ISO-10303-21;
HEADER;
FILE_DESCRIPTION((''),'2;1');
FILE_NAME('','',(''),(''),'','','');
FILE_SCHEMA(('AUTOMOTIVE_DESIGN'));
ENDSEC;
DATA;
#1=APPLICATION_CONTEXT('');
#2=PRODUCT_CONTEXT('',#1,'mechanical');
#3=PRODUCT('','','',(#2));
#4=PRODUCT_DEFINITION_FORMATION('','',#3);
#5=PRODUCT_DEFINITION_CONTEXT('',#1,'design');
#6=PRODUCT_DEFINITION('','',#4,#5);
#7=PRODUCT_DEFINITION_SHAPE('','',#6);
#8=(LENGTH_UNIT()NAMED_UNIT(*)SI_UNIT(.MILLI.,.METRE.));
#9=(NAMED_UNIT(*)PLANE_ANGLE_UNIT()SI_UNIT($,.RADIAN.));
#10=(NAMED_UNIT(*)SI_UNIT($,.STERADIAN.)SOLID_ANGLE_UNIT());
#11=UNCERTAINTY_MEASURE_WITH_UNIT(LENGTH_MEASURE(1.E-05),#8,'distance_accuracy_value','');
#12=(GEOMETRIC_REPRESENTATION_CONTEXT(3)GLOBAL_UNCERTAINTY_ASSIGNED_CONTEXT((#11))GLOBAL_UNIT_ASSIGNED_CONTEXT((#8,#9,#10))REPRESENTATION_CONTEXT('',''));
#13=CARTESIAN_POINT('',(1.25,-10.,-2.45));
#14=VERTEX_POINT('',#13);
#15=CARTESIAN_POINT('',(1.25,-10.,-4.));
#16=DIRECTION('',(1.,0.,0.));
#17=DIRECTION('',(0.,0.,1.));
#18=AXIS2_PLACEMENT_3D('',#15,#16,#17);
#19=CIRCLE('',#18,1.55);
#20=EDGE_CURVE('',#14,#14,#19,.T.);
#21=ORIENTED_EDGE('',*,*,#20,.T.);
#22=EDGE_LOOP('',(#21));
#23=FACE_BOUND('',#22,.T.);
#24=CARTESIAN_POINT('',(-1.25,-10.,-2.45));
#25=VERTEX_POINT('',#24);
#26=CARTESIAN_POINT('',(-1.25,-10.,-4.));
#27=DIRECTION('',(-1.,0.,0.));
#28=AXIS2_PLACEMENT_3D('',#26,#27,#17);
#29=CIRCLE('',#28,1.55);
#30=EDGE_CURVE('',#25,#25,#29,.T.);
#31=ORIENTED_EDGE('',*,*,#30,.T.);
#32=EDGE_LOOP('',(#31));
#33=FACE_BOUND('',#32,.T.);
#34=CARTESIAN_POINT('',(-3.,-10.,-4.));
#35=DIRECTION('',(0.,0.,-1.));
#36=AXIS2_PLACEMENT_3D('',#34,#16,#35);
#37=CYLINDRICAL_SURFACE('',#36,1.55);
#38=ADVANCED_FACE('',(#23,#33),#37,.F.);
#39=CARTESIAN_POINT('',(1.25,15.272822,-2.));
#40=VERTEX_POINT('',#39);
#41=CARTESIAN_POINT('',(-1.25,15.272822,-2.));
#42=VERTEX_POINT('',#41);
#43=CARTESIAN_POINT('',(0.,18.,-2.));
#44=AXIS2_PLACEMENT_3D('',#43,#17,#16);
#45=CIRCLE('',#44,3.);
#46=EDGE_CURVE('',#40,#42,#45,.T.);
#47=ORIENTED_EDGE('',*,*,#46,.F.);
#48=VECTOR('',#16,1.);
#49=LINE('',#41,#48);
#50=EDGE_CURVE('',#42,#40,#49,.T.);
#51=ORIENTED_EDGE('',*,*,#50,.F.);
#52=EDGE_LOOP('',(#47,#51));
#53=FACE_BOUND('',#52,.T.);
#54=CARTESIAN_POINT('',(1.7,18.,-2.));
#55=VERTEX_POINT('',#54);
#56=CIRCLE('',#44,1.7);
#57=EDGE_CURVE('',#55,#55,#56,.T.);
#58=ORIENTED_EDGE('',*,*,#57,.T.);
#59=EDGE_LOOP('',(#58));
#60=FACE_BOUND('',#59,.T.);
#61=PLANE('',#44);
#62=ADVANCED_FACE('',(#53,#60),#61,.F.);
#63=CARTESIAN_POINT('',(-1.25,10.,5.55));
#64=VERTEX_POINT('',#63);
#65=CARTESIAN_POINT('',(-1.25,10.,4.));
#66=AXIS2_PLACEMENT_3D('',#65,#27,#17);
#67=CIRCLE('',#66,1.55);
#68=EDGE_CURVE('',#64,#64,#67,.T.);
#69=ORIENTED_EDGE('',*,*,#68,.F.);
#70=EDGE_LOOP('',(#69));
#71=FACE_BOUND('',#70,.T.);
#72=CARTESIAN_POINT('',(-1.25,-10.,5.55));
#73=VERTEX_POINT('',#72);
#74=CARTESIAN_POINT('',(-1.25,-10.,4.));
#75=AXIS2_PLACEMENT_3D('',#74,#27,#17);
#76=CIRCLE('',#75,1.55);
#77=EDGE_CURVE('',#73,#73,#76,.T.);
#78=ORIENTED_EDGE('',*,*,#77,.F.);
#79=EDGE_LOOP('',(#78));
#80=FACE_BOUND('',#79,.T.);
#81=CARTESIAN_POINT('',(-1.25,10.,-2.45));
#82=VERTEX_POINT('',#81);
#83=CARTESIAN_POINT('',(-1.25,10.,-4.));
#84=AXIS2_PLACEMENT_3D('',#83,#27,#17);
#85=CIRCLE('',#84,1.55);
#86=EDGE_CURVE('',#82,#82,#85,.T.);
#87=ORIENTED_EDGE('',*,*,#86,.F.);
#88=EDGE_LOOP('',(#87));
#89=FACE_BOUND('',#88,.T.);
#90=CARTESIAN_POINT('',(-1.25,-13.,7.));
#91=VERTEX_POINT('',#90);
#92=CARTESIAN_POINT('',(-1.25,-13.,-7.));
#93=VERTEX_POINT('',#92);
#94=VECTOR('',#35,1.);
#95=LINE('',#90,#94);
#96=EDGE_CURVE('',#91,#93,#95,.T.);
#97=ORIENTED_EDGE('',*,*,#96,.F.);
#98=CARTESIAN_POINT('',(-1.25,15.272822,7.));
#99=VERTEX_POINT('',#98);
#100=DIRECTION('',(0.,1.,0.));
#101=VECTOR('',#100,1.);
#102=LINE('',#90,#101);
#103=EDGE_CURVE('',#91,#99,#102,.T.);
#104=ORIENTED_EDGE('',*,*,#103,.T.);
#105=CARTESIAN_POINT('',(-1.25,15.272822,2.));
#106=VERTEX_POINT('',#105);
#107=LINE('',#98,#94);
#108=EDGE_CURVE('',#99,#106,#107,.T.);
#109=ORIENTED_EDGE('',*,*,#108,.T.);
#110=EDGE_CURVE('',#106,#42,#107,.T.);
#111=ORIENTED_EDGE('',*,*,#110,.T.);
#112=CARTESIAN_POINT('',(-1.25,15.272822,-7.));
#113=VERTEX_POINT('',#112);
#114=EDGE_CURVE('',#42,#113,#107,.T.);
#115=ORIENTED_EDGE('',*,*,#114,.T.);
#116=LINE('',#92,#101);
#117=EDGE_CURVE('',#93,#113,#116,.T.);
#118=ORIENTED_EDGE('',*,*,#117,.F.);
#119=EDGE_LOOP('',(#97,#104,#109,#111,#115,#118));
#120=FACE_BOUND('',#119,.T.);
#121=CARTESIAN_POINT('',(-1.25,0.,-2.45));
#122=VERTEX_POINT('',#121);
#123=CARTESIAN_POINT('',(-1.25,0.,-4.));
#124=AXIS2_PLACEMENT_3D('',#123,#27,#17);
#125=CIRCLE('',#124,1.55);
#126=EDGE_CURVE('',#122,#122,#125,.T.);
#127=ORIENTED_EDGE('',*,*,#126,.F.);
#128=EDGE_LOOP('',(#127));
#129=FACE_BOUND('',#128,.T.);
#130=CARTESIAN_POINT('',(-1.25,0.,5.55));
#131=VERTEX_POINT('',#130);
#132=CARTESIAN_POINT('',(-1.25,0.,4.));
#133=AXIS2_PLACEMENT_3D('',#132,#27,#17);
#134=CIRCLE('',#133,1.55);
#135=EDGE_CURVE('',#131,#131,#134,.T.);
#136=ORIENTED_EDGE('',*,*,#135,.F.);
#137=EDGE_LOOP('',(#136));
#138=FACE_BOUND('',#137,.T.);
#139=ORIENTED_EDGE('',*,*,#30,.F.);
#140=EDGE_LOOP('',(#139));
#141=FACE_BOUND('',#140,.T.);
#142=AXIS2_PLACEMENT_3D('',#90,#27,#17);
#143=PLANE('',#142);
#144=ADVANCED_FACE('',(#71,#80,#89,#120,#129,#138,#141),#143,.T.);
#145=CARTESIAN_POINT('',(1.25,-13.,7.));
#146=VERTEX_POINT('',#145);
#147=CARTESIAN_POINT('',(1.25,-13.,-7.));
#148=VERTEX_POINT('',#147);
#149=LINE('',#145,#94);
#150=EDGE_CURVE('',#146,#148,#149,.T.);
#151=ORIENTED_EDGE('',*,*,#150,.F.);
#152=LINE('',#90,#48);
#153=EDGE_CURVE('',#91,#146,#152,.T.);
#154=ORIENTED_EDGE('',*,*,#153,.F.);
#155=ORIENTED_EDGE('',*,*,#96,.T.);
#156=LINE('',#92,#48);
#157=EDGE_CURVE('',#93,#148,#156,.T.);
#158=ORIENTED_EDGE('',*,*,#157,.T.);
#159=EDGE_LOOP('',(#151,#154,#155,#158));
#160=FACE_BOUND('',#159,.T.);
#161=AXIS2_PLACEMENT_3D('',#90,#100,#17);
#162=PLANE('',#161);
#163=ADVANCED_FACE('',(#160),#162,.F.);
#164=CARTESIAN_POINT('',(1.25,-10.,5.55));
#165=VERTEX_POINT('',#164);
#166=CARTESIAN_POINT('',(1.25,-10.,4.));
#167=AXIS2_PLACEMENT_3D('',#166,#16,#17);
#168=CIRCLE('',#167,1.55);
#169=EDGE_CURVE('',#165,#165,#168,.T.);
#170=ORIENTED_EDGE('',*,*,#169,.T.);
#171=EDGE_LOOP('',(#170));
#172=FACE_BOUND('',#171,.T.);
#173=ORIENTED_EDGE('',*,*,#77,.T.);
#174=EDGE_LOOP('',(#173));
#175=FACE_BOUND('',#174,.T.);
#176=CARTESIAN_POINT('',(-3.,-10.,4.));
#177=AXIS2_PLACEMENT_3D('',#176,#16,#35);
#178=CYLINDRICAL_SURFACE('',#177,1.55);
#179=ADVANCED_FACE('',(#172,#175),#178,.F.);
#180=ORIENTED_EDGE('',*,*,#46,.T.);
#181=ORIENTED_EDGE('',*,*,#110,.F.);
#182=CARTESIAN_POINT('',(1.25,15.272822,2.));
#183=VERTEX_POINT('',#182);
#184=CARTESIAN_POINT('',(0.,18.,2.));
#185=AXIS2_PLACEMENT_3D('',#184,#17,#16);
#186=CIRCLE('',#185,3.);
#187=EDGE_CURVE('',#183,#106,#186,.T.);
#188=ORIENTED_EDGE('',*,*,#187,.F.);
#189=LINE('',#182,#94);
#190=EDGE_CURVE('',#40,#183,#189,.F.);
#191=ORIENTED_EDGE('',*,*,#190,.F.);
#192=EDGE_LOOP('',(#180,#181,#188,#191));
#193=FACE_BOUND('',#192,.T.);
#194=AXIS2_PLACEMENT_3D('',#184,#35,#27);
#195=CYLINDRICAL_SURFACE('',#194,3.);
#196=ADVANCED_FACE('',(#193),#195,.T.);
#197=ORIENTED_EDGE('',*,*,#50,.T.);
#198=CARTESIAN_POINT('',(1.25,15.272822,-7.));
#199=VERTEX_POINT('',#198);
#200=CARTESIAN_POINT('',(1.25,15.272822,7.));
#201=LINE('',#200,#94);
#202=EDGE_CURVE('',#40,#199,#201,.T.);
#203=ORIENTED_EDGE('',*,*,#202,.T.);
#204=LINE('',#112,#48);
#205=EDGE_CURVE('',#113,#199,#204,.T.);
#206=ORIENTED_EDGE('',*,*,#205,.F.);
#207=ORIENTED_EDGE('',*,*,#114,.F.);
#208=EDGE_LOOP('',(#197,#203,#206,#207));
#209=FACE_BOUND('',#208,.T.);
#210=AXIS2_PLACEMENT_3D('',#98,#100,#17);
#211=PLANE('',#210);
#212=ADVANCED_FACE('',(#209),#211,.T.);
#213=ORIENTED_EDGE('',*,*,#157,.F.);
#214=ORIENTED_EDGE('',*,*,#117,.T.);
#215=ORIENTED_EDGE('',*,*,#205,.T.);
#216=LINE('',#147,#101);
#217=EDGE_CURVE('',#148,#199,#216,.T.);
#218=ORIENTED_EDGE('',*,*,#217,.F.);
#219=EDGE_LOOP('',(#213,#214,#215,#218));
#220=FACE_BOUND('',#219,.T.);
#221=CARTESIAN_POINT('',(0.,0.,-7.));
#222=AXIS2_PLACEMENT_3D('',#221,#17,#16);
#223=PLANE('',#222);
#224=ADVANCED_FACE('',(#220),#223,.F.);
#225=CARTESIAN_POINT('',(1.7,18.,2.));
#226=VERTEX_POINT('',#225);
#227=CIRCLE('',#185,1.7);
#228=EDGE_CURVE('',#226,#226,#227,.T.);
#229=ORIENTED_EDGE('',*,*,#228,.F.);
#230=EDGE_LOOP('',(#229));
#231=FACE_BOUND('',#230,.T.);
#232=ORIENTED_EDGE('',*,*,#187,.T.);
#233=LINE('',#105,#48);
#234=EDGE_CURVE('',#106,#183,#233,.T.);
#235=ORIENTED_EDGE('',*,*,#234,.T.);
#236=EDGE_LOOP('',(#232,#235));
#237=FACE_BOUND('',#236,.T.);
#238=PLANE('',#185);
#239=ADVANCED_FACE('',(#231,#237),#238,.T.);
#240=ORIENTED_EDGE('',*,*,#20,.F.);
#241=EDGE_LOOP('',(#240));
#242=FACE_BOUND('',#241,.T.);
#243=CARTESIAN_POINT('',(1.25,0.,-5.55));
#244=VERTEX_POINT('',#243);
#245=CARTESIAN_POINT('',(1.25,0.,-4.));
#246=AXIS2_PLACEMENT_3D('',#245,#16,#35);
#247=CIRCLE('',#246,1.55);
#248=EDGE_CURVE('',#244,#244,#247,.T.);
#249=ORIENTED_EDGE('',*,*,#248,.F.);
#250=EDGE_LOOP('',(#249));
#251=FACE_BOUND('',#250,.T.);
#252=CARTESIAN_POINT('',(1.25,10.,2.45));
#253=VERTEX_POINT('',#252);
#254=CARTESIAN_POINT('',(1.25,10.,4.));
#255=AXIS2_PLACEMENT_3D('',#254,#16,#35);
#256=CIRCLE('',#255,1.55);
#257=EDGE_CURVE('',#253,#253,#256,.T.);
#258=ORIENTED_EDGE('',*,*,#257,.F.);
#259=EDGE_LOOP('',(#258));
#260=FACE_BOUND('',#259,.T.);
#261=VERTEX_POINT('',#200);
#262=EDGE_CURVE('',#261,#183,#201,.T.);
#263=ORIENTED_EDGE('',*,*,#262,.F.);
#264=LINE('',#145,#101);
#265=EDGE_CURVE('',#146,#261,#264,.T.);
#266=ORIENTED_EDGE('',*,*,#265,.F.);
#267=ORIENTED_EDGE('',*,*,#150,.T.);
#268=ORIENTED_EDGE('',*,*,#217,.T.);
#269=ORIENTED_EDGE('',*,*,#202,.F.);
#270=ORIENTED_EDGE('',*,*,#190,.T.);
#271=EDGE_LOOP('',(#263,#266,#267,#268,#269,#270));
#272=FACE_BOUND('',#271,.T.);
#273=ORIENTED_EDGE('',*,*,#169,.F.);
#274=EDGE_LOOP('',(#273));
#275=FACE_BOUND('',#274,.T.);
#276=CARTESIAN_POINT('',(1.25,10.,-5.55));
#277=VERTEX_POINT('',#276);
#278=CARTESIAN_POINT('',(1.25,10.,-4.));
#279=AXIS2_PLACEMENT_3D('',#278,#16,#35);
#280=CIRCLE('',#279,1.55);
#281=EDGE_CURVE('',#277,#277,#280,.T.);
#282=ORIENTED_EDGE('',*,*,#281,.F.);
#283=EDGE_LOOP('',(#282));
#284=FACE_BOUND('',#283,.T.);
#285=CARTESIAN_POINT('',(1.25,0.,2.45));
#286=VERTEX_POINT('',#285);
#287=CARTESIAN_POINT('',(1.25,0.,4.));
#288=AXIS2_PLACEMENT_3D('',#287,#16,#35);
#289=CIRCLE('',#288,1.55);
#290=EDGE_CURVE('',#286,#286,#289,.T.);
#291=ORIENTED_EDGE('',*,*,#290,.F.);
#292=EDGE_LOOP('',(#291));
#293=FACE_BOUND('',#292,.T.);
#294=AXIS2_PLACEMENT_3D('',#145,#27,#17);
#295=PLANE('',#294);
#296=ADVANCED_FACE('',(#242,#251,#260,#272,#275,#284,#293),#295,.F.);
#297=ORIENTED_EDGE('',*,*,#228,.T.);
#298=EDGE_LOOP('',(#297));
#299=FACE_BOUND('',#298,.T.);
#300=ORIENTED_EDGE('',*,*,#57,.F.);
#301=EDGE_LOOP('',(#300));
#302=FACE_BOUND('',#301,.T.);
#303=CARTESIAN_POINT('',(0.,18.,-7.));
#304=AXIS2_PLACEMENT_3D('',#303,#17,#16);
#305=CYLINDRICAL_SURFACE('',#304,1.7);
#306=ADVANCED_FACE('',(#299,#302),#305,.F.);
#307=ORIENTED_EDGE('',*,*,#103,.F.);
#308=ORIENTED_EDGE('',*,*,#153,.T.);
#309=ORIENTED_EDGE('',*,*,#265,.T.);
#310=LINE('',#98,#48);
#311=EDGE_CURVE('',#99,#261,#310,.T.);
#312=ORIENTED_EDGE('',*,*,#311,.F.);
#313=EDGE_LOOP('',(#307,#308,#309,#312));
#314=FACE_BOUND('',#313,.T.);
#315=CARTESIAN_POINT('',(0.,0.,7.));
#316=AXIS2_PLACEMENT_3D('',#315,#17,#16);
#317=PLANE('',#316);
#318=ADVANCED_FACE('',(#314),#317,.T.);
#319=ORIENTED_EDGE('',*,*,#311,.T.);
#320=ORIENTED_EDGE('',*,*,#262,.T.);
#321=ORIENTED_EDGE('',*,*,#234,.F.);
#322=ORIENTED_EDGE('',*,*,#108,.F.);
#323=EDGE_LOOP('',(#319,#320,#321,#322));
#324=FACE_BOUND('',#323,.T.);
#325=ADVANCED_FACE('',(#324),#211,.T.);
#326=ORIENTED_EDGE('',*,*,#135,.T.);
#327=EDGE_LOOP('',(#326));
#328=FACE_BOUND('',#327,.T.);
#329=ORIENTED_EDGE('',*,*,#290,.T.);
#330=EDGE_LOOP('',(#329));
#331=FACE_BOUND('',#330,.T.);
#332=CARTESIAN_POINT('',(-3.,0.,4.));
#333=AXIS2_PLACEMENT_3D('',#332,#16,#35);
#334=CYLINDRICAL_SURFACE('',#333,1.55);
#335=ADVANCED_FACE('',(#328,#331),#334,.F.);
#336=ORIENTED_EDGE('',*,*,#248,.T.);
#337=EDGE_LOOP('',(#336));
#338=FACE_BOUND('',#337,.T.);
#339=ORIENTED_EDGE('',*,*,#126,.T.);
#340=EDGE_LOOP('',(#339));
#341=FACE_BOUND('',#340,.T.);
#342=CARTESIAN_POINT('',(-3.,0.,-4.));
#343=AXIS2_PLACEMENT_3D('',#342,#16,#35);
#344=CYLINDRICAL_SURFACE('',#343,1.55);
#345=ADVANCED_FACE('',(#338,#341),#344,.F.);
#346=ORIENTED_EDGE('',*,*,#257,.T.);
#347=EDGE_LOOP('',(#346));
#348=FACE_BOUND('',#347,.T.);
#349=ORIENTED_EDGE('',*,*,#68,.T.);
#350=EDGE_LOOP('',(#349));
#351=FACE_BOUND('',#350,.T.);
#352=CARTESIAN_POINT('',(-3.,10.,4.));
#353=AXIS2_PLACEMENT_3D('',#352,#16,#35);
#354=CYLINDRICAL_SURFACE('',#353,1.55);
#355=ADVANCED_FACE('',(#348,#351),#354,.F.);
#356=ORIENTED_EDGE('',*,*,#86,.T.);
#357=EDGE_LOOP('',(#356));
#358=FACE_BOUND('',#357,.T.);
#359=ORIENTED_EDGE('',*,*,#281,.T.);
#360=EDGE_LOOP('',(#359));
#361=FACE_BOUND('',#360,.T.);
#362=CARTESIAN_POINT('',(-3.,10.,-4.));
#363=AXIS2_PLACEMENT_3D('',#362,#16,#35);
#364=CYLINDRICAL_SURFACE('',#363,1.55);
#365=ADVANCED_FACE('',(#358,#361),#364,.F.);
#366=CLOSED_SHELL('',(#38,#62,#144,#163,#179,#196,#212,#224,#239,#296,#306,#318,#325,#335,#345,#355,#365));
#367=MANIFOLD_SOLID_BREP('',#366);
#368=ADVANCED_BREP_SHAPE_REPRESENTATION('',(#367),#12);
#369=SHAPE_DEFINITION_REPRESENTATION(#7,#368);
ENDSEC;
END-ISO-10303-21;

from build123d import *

# Parameters (mm, degrees)
SKETCH2_W           = 2.5
SKETCH2_H           = 28.272821971
BOSS_EXTRUDE5_DEPTH = 7
SKETCH2_8_R         = 3
BOSS_EXTRUDE6_DEPTH = 2
SKETCH3_R           = 1.7
CUT_EXTRUDE1_DEPTH  = 24.043437244
SKETCH4_R           = 1.55
CUT_EXTRUDE2_DEPTH  = 23.540241791


with BuildPart() as part:
    # Sketch2 → Boss-Extrude5 (new, symmetric)
    with BuildSketch(Plane.XY):
        with Locations((0, 1.136410986)):
            Rectangle(SKETCH2_W, SKETCH2_H)
    extrude(amount=BOSS_EXTRUDE5_DEPTH, both=True)

    # Sketch2<8> → Boss-Extrude6 (add, symmetric)
    with BuildSketch(Plane.XY):
        with Locations((0, 18)):
            Circle(SKETCH2_8_R)
    extrude(amount=BOSS_EXTRUDE6_DEPTH, both=True)

    # Sketch3 → Cut-Extrude1 (cut, through all)
    with BuildSketch(Plane.XY.offset(2)):
        with Locations((0, 18)):
            Circle(SKETCH3_R)
    extrude(amount=-CUT_EXTRUDE1_DEPTH, mode=Mode.SUBTRACT)

    # Sketch4 → Cut-Extrude2 (cut, through all)
    with BuildSketch(Plane(origin=(1.25, 0, 0), x_dir=(0, 0, -1), z_dir=(1, 0, 0))):
        with Locations((4, 0)):
            Circle(SKETCH4_R)
        with Locations((-4, 0)):
            Circle(SKETCH4_R)
        with Locations((-4, 10)):
            Circle(SKETCH4_R)
        with Locations((4, 10)):
            Circle(SKETCH4_R)
        with Locations((4, -10)):
            Circle(SKETCH4_R)
        with Locations((-4, -10)):
            Circle(SKETCH4_R)
    extrude(amount=-CUT_EXTRUDE2_DEPTH, mode=Mode.SUBTRACT)


solid = part.part
